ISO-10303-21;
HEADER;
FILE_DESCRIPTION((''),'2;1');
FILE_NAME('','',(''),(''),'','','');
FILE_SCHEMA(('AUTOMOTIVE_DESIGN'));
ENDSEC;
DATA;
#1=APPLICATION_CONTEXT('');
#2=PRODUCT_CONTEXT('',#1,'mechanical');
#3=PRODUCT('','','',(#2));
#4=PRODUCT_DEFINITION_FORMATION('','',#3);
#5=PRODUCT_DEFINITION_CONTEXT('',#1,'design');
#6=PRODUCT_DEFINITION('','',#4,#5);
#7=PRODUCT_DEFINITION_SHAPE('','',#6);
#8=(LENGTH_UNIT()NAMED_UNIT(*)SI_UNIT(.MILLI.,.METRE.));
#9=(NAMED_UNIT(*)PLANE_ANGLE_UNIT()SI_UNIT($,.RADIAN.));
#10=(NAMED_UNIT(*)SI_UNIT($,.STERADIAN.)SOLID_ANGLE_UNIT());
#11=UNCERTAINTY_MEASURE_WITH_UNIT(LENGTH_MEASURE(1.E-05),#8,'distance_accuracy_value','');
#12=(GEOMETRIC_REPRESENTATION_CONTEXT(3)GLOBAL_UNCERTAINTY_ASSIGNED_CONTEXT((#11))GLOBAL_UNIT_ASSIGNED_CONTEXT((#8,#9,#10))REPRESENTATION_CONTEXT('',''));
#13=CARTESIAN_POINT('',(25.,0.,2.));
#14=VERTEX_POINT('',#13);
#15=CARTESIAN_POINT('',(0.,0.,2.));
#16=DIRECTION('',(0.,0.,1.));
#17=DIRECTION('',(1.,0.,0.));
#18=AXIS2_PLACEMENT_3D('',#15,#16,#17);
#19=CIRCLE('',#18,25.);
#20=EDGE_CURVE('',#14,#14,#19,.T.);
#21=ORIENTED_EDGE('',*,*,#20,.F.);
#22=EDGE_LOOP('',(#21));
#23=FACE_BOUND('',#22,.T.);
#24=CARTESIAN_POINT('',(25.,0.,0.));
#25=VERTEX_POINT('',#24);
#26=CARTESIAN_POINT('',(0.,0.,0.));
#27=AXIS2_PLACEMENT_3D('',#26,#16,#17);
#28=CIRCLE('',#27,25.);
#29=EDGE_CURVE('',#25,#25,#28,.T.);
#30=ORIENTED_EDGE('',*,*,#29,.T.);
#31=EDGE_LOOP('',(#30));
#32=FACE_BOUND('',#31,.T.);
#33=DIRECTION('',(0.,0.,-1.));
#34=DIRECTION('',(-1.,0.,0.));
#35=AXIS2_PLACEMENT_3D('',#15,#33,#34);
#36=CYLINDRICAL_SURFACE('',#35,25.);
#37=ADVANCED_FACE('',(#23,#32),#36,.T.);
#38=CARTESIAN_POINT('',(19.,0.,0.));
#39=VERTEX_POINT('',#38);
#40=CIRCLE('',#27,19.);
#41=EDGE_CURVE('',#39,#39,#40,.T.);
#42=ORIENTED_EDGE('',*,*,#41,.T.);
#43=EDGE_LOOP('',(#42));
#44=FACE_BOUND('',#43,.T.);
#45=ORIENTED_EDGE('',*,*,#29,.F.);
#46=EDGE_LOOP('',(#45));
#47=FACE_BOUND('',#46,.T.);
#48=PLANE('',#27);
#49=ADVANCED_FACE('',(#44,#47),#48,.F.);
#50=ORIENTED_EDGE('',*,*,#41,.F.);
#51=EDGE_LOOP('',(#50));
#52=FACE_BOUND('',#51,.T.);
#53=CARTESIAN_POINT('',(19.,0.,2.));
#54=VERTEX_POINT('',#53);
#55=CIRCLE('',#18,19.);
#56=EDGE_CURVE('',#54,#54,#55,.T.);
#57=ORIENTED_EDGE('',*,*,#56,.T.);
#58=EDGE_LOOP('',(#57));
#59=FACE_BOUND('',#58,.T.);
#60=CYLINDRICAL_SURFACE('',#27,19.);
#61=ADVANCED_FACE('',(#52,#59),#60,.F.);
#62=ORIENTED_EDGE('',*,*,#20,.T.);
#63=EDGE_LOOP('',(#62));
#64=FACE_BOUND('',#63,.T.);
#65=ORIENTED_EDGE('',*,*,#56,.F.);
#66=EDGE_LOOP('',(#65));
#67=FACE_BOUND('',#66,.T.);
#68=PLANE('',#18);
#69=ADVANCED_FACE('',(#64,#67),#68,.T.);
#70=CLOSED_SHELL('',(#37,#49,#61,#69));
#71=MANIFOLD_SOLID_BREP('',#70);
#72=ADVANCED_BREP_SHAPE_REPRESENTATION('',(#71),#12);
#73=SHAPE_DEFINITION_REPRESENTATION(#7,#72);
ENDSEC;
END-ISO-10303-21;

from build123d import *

# Parameters (mm, degrees)
SKIZZE1_R                       = 25
AUFSATZ_LINEAR_AUSTRAGEN1_DEPTH = 2
SKIZZE2_R                       = 19
SCHNITT_LINEAR_AUSTRAGEN1_DEPTH = 36.411862419


with BuildPart() as part:
    # Skizze1 → Aufsatz-Linear austragen1 (new body)
    with BuildSketch(Plane.XY):
        Circle(SKIZZE1_R)
    extrude(amount=AUFSATZ_LINEAR_AUSTRAGEN1_DEPTH)

    # Skizze2 → Schnitt-Linear austragen1 (cut, through all)
    with BuildSketch(Plane.XY.offset(2)):
        Circle(SKIZZE2_R)
    extrude(amount=-SCHNITT_LINEAR_AUSTRAGEN1_DEPTH, mode=Mode.SUBTRACT)


solid = part.part
